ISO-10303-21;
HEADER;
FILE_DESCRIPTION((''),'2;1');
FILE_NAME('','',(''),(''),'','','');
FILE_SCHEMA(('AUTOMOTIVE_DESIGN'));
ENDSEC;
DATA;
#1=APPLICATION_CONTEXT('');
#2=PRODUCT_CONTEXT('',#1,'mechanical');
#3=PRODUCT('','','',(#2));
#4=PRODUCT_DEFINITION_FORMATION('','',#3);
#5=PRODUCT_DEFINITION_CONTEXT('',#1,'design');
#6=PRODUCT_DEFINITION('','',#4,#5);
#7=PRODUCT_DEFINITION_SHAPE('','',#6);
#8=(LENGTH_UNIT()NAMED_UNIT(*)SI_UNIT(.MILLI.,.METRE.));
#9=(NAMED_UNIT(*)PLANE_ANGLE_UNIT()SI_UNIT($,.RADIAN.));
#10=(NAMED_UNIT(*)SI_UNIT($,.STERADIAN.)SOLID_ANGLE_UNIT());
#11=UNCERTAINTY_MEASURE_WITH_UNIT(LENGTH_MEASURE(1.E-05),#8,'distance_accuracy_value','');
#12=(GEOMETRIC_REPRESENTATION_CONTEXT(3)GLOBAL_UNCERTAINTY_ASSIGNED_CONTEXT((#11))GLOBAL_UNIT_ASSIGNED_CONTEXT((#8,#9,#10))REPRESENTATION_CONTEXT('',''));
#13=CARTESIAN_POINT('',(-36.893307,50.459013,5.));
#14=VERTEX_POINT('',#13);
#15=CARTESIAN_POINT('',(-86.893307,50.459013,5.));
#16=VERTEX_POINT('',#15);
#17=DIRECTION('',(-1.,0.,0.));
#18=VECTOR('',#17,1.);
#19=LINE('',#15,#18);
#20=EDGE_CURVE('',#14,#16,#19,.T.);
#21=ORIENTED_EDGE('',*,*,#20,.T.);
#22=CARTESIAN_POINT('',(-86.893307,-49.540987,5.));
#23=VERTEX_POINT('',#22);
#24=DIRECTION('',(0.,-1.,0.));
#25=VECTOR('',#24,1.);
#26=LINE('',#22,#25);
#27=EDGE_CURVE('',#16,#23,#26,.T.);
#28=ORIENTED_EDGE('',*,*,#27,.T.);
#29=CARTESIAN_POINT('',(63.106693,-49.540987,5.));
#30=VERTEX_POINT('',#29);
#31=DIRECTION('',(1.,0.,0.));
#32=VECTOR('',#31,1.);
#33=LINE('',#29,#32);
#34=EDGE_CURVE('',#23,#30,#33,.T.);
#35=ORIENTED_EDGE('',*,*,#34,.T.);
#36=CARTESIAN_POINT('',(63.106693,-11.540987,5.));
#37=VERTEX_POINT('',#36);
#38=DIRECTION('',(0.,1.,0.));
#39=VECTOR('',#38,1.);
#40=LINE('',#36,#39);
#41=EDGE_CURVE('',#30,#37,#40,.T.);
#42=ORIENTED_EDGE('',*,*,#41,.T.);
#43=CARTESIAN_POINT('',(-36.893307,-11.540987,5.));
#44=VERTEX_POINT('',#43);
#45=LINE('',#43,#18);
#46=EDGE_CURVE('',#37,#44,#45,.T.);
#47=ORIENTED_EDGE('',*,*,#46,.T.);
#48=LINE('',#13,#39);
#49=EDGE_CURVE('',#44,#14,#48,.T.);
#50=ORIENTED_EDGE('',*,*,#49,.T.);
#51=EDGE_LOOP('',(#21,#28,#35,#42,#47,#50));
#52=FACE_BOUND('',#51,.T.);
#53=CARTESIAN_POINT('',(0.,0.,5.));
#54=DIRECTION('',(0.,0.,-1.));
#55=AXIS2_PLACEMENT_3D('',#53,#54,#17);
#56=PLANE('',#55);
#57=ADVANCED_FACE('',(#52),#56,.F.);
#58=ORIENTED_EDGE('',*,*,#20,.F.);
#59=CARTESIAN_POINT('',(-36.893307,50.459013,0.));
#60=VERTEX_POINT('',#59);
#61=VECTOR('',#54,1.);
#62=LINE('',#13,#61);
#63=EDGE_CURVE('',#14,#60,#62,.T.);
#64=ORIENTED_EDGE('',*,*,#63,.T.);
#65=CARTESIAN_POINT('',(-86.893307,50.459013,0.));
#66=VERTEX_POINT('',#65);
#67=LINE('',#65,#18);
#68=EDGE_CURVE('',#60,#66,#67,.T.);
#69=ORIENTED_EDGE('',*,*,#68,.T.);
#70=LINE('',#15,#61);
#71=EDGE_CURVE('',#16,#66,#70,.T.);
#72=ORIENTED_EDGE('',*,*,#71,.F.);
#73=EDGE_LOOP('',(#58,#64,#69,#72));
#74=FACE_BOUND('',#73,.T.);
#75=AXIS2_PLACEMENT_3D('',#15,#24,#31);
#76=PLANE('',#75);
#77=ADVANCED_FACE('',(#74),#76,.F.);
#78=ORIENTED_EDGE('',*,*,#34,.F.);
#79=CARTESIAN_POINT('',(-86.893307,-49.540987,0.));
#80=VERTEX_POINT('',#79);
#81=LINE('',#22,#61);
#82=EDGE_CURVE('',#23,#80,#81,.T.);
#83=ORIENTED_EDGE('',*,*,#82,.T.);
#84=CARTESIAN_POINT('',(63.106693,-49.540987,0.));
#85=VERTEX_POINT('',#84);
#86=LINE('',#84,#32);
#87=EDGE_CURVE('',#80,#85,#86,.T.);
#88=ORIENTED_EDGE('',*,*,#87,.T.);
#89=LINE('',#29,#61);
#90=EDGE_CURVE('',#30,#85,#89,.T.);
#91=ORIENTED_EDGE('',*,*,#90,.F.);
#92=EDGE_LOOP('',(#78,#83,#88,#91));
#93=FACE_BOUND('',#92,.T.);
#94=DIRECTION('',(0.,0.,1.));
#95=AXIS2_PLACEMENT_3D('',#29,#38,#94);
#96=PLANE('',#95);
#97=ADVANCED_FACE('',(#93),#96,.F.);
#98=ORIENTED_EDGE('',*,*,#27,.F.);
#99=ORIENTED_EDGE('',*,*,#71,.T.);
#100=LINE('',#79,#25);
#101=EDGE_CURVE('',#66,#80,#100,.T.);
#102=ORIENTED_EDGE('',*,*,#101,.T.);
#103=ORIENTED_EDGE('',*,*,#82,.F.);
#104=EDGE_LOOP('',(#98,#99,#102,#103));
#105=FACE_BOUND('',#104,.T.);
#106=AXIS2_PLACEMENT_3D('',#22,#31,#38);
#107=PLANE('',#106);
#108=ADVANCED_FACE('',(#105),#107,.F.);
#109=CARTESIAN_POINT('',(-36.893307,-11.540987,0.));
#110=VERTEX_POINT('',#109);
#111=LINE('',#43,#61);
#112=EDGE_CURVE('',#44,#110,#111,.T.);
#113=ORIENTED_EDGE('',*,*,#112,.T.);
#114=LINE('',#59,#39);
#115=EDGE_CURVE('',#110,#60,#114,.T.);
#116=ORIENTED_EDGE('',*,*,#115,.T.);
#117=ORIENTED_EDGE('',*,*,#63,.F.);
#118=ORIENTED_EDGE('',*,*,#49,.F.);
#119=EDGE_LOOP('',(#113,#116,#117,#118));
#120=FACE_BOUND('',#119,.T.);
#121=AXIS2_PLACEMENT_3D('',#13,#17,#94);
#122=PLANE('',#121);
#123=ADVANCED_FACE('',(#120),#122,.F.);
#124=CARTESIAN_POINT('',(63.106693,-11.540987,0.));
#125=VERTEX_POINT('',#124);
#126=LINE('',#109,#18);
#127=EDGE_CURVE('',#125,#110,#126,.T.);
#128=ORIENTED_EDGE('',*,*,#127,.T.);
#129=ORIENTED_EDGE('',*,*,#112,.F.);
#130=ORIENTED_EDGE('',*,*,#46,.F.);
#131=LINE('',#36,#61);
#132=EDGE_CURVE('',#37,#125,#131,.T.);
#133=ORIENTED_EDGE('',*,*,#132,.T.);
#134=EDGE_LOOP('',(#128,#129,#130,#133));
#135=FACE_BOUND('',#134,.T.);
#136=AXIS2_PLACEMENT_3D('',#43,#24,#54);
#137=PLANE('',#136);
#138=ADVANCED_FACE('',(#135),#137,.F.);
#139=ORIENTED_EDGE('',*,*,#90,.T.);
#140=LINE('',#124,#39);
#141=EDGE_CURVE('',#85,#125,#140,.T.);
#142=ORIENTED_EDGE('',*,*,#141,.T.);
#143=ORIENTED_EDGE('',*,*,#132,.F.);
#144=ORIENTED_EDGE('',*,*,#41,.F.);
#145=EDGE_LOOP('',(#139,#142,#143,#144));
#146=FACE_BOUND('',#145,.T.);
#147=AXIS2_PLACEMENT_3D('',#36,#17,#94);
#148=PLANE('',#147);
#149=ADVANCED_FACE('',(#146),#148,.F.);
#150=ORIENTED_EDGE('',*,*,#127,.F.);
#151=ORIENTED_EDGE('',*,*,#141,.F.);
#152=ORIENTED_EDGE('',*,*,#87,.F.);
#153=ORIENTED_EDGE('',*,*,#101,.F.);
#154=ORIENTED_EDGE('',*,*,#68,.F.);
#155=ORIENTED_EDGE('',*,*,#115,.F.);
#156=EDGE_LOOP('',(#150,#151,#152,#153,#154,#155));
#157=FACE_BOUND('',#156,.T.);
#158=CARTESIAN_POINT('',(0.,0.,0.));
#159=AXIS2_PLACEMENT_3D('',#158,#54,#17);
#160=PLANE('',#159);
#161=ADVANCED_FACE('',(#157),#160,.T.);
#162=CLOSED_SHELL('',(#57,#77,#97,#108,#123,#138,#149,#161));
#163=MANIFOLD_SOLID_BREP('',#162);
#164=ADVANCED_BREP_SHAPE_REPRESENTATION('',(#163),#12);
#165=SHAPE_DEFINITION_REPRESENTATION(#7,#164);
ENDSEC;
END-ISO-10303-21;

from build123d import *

# Parameters (mm, degrees)
BOSS_EXTRUDE1_DEPTH = 5


with BuildPart() as part:
    # Sketch1 → Boss-Extrude1 (new body)
    with BuildSketch(Plane.XY):
        Polygon((-86.893306639, 50.459013366), (-36.893306639, 50.459013366), (-36.893306639, -11.540986634), (63.106693361, -11.540986634), (63.106693361, -49.540986634), (-86.893306639, -49.540986634), align=None)
    extrude(amount=BOSS_EXTRUDE1_DEPTH)


solid = part.part
